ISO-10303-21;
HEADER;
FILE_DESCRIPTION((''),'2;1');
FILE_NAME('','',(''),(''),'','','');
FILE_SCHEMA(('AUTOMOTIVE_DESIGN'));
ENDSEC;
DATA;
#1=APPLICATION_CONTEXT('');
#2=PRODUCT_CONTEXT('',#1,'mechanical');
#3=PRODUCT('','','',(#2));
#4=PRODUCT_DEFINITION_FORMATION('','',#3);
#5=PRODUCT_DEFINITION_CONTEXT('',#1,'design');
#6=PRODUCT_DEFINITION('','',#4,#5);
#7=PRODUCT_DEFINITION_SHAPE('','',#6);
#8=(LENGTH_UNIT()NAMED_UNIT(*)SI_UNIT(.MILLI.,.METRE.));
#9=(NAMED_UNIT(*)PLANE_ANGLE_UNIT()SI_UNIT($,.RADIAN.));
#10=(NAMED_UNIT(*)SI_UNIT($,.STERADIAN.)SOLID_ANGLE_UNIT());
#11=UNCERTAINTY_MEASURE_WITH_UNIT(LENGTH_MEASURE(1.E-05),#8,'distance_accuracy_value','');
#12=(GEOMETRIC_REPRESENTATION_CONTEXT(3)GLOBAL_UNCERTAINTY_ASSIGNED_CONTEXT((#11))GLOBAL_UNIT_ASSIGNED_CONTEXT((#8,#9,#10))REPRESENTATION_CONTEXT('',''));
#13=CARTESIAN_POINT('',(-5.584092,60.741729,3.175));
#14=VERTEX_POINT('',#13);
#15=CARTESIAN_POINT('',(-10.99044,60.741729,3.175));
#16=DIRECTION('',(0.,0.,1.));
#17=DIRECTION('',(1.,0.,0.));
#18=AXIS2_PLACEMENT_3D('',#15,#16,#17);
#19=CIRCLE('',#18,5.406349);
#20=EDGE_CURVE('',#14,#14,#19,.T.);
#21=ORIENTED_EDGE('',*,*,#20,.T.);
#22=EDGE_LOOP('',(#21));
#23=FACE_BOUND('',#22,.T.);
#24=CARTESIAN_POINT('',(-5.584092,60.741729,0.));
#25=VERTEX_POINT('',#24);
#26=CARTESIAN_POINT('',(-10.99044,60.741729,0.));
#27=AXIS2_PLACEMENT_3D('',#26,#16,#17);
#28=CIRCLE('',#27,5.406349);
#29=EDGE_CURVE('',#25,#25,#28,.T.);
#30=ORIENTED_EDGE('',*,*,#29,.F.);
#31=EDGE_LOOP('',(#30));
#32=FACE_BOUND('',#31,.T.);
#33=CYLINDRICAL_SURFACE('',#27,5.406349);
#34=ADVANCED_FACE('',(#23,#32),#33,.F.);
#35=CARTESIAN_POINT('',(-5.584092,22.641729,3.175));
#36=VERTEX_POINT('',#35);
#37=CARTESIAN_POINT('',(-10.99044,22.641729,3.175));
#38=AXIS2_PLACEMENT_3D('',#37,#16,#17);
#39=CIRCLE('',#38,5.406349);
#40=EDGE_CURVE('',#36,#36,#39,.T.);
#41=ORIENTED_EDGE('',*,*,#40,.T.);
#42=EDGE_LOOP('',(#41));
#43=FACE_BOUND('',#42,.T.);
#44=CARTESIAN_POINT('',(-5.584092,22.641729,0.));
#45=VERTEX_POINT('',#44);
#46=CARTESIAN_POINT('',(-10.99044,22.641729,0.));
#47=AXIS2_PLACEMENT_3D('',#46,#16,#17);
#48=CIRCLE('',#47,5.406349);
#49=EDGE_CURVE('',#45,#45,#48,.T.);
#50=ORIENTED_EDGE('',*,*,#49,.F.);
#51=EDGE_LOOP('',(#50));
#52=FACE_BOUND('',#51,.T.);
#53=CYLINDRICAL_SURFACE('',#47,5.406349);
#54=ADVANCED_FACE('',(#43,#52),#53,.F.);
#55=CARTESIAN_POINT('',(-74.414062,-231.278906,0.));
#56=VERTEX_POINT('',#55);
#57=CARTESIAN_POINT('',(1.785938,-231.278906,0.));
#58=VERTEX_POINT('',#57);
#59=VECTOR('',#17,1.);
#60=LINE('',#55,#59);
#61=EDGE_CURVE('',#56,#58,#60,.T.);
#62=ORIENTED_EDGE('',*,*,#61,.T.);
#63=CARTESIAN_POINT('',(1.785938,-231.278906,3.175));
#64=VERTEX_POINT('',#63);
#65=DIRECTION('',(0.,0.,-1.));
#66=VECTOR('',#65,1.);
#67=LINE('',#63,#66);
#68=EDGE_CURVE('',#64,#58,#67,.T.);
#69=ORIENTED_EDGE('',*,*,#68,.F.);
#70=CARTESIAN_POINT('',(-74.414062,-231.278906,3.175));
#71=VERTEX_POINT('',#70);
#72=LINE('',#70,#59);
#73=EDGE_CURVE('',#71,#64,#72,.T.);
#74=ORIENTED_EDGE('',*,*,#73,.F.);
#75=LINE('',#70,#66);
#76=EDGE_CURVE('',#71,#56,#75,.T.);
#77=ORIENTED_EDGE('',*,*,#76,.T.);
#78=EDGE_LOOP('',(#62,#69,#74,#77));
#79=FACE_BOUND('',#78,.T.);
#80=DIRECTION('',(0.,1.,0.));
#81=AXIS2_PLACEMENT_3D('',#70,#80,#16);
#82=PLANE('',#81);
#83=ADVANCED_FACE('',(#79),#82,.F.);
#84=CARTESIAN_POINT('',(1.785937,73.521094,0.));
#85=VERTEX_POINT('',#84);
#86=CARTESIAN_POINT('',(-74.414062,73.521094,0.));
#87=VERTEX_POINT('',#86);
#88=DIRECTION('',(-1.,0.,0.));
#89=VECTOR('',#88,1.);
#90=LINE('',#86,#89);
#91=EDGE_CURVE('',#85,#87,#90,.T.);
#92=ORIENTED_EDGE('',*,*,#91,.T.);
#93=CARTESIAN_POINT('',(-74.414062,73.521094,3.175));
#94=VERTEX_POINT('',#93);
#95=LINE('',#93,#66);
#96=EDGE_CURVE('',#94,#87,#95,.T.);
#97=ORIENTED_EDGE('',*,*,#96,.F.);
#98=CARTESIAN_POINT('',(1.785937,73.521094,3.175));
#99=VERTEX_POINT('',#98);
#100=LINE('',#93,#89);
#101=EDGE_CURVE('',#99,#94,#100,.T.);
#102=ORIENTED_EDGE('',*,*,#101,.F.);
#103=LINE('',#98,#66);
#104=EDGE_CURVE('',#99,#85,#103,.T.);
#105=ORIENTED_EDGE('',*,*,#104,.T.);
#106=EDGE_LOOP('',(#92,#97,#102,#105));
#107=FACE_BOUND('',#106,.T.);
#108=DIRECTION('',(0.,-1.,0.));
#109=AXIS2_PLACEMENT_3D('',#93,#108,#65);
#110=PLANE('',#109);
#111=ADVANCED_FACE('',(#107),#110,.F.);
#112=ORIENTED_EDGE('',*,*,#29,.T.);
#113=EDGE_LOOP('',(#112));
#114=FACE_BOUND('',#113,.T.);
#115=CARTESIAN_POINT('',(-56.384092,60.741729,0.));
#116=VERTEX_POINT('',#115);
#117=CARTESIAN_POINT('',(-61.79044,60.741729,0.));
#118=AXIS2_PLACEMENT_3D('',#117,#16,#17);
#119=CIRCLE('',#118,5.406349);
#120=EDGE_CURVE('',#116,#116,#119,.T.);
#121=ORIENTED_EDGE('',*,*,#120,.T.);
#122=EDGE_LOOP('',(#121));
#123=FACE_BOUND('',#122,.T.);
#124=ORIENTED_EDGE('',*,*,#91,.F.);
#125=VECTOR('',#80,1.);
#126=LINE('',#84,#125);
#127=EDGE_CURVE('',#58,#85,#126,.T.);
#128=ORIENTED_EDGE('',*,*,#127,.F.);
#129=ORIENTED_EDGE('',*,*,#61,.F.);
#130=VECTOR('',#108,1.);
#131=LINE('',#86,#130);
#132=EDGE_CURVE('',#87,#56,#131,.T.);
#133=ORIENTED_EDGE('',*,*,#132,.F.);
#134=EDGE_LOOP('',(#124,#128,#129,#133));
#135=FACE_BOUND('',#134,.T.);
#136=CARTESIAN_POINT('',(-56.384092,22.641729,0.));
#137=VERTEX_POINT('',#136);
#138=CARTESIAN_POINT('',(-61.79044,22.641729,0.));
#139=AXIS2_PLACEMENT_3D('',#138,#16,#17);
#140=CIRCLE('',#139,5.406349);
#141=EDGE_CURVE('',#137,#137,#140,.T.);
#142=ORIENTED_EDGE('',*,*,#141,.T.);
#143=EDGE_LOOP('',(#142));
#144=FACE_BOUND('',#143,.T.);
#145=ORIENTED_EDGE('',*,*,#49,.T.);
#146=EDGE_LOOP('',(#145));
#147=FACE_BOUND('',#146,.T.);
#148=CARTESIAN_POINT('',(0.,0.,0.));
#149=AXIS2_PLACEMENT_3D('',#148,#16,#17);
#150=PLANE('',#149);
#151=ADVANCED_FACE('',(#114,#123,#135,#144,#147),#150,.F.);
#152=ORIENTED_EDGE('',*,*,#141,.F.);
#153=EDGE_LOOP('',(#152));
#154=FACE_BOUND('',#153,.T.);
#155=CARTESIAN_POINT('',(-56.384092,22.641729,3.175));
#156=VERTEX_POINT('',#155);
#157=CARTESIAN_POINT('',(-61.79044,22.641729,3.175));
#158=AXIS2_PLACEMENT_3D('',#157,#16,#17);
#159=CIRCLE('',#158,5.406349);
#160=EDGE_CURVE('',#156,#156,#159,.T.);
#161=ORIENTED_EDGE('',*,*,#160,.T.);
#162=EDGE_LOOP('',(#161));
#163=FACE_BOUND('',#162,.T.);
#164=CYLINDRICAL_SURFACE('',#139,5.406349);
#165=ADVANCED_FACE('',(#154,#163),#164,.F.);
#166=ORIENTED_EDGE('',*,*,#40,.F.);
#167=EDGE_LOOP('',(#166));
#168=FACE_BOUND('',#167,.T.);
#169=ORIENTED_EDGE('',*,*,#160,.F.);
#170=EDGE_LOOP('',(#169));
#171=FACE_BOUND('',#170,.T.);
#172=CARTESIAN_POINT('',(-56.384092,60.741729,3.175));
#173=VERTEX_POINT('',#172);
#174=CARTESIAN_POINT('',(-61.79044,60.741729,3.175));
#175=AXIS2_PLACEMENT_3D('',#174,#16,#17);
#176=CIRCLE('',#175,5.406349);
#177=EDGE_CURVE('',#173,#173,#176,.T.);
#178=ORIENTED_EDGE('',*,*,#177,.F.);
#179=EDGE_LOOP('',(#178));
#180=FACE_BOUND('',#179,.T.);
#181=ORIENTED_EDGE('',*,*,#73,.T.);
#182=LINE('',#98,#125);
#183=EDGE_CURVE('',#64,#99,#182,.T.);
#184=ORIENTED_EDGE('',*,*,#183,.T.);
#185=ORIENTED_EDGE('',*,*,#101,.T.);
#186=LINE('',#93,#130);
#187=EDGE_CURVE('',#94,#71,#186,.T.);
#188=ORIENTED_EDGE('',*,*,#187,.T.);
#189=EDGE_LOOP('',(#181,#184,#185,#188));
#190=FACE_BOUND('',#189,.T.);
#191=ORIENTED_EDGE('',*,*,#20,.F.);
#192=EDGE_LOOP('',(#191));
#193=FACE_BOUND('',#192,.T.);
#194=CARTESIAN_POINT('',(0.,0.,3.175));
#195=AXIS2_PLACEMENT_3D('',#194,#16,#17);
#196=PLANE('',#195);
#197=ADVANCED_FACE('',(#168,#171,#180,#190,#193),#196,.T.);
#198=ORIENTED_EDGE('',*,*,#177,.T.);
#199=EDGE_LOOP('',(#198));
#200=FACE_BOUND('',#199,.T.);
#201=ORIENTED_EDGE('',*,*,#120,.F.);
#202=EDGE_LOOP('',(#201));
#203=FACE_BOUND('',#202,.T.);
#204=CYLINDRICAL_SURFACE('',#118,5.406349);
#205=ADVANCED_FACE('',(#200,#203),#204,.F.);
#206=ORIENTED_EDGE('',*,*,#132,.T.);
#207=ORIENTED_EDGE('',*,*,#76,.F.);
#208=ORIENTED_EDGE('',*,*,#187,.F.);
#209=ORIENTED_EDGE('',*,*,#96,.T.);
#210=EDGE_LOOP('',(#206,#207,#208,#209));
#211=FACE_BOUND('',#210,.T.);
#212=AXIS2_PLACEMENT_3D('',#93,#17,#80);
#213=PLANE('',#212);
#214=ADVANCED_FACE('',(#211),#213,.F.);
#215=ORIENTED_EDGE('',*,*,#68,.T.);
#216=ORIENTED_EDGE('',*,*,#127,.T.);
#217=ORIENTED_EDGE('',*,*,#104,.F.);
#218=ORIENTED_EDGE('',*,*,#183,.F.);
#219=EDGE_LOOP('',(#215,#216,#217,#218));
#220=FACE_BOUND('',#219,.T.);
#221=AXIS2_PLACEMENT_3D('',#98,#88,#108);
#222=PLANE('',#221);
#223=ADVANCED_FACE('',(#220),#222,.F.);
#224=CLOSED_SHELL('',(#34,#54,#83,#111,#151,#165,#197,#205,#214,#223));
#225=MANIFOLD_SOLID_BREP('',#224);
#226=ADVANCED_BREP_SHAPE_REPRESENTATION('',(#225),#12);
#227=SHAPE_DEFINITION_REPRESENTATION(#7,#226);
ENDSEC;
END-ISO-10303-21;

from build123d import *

# Parameters (mm, degrees)
SKETCH1_W           = 76.2
SKETCH1_H           = 304.8
BOSS_EXTRUDE1_DEPTH = 3.175
SKETCH2_R           = 5.406348713
CUT_EXTRUDE3_DEPTH  = 3.175


with BuildPart() as part:
    # Sketch1 → Boss-Extrude1 (new body)
    with BuildSketch(Plane.XY):
        with Locations((-36.3140625, -78.87890625)):
            Rectangle(SKETCH1_W, SKETCH1_H)
    extrude(amount=BOSS_EXTRUDE1_DEPTH)

    # Sketch2 → Cut-Extrude3 (cut)
    with BuildSketch(Plane.XY.offset(3.175)):
        with Locations((-61.790440279, 60.741729321)):
            Circle(SKETCH2_R)
        with Locations((-10.990440279, 60.741729321)):
            Circle(SKETCH2_R)
        with Locations((-61.790440279, 22.641729321)):
            Circle(SKETCH2_R)
        with Locations((-10.990440279, 22.641729321)):
            Circle(SKETCH2_R)
    extrude(amount=-CUT_EXTRUDE3_DEPTH, mode=Mode.SUBTRACT)


solid = part.part
